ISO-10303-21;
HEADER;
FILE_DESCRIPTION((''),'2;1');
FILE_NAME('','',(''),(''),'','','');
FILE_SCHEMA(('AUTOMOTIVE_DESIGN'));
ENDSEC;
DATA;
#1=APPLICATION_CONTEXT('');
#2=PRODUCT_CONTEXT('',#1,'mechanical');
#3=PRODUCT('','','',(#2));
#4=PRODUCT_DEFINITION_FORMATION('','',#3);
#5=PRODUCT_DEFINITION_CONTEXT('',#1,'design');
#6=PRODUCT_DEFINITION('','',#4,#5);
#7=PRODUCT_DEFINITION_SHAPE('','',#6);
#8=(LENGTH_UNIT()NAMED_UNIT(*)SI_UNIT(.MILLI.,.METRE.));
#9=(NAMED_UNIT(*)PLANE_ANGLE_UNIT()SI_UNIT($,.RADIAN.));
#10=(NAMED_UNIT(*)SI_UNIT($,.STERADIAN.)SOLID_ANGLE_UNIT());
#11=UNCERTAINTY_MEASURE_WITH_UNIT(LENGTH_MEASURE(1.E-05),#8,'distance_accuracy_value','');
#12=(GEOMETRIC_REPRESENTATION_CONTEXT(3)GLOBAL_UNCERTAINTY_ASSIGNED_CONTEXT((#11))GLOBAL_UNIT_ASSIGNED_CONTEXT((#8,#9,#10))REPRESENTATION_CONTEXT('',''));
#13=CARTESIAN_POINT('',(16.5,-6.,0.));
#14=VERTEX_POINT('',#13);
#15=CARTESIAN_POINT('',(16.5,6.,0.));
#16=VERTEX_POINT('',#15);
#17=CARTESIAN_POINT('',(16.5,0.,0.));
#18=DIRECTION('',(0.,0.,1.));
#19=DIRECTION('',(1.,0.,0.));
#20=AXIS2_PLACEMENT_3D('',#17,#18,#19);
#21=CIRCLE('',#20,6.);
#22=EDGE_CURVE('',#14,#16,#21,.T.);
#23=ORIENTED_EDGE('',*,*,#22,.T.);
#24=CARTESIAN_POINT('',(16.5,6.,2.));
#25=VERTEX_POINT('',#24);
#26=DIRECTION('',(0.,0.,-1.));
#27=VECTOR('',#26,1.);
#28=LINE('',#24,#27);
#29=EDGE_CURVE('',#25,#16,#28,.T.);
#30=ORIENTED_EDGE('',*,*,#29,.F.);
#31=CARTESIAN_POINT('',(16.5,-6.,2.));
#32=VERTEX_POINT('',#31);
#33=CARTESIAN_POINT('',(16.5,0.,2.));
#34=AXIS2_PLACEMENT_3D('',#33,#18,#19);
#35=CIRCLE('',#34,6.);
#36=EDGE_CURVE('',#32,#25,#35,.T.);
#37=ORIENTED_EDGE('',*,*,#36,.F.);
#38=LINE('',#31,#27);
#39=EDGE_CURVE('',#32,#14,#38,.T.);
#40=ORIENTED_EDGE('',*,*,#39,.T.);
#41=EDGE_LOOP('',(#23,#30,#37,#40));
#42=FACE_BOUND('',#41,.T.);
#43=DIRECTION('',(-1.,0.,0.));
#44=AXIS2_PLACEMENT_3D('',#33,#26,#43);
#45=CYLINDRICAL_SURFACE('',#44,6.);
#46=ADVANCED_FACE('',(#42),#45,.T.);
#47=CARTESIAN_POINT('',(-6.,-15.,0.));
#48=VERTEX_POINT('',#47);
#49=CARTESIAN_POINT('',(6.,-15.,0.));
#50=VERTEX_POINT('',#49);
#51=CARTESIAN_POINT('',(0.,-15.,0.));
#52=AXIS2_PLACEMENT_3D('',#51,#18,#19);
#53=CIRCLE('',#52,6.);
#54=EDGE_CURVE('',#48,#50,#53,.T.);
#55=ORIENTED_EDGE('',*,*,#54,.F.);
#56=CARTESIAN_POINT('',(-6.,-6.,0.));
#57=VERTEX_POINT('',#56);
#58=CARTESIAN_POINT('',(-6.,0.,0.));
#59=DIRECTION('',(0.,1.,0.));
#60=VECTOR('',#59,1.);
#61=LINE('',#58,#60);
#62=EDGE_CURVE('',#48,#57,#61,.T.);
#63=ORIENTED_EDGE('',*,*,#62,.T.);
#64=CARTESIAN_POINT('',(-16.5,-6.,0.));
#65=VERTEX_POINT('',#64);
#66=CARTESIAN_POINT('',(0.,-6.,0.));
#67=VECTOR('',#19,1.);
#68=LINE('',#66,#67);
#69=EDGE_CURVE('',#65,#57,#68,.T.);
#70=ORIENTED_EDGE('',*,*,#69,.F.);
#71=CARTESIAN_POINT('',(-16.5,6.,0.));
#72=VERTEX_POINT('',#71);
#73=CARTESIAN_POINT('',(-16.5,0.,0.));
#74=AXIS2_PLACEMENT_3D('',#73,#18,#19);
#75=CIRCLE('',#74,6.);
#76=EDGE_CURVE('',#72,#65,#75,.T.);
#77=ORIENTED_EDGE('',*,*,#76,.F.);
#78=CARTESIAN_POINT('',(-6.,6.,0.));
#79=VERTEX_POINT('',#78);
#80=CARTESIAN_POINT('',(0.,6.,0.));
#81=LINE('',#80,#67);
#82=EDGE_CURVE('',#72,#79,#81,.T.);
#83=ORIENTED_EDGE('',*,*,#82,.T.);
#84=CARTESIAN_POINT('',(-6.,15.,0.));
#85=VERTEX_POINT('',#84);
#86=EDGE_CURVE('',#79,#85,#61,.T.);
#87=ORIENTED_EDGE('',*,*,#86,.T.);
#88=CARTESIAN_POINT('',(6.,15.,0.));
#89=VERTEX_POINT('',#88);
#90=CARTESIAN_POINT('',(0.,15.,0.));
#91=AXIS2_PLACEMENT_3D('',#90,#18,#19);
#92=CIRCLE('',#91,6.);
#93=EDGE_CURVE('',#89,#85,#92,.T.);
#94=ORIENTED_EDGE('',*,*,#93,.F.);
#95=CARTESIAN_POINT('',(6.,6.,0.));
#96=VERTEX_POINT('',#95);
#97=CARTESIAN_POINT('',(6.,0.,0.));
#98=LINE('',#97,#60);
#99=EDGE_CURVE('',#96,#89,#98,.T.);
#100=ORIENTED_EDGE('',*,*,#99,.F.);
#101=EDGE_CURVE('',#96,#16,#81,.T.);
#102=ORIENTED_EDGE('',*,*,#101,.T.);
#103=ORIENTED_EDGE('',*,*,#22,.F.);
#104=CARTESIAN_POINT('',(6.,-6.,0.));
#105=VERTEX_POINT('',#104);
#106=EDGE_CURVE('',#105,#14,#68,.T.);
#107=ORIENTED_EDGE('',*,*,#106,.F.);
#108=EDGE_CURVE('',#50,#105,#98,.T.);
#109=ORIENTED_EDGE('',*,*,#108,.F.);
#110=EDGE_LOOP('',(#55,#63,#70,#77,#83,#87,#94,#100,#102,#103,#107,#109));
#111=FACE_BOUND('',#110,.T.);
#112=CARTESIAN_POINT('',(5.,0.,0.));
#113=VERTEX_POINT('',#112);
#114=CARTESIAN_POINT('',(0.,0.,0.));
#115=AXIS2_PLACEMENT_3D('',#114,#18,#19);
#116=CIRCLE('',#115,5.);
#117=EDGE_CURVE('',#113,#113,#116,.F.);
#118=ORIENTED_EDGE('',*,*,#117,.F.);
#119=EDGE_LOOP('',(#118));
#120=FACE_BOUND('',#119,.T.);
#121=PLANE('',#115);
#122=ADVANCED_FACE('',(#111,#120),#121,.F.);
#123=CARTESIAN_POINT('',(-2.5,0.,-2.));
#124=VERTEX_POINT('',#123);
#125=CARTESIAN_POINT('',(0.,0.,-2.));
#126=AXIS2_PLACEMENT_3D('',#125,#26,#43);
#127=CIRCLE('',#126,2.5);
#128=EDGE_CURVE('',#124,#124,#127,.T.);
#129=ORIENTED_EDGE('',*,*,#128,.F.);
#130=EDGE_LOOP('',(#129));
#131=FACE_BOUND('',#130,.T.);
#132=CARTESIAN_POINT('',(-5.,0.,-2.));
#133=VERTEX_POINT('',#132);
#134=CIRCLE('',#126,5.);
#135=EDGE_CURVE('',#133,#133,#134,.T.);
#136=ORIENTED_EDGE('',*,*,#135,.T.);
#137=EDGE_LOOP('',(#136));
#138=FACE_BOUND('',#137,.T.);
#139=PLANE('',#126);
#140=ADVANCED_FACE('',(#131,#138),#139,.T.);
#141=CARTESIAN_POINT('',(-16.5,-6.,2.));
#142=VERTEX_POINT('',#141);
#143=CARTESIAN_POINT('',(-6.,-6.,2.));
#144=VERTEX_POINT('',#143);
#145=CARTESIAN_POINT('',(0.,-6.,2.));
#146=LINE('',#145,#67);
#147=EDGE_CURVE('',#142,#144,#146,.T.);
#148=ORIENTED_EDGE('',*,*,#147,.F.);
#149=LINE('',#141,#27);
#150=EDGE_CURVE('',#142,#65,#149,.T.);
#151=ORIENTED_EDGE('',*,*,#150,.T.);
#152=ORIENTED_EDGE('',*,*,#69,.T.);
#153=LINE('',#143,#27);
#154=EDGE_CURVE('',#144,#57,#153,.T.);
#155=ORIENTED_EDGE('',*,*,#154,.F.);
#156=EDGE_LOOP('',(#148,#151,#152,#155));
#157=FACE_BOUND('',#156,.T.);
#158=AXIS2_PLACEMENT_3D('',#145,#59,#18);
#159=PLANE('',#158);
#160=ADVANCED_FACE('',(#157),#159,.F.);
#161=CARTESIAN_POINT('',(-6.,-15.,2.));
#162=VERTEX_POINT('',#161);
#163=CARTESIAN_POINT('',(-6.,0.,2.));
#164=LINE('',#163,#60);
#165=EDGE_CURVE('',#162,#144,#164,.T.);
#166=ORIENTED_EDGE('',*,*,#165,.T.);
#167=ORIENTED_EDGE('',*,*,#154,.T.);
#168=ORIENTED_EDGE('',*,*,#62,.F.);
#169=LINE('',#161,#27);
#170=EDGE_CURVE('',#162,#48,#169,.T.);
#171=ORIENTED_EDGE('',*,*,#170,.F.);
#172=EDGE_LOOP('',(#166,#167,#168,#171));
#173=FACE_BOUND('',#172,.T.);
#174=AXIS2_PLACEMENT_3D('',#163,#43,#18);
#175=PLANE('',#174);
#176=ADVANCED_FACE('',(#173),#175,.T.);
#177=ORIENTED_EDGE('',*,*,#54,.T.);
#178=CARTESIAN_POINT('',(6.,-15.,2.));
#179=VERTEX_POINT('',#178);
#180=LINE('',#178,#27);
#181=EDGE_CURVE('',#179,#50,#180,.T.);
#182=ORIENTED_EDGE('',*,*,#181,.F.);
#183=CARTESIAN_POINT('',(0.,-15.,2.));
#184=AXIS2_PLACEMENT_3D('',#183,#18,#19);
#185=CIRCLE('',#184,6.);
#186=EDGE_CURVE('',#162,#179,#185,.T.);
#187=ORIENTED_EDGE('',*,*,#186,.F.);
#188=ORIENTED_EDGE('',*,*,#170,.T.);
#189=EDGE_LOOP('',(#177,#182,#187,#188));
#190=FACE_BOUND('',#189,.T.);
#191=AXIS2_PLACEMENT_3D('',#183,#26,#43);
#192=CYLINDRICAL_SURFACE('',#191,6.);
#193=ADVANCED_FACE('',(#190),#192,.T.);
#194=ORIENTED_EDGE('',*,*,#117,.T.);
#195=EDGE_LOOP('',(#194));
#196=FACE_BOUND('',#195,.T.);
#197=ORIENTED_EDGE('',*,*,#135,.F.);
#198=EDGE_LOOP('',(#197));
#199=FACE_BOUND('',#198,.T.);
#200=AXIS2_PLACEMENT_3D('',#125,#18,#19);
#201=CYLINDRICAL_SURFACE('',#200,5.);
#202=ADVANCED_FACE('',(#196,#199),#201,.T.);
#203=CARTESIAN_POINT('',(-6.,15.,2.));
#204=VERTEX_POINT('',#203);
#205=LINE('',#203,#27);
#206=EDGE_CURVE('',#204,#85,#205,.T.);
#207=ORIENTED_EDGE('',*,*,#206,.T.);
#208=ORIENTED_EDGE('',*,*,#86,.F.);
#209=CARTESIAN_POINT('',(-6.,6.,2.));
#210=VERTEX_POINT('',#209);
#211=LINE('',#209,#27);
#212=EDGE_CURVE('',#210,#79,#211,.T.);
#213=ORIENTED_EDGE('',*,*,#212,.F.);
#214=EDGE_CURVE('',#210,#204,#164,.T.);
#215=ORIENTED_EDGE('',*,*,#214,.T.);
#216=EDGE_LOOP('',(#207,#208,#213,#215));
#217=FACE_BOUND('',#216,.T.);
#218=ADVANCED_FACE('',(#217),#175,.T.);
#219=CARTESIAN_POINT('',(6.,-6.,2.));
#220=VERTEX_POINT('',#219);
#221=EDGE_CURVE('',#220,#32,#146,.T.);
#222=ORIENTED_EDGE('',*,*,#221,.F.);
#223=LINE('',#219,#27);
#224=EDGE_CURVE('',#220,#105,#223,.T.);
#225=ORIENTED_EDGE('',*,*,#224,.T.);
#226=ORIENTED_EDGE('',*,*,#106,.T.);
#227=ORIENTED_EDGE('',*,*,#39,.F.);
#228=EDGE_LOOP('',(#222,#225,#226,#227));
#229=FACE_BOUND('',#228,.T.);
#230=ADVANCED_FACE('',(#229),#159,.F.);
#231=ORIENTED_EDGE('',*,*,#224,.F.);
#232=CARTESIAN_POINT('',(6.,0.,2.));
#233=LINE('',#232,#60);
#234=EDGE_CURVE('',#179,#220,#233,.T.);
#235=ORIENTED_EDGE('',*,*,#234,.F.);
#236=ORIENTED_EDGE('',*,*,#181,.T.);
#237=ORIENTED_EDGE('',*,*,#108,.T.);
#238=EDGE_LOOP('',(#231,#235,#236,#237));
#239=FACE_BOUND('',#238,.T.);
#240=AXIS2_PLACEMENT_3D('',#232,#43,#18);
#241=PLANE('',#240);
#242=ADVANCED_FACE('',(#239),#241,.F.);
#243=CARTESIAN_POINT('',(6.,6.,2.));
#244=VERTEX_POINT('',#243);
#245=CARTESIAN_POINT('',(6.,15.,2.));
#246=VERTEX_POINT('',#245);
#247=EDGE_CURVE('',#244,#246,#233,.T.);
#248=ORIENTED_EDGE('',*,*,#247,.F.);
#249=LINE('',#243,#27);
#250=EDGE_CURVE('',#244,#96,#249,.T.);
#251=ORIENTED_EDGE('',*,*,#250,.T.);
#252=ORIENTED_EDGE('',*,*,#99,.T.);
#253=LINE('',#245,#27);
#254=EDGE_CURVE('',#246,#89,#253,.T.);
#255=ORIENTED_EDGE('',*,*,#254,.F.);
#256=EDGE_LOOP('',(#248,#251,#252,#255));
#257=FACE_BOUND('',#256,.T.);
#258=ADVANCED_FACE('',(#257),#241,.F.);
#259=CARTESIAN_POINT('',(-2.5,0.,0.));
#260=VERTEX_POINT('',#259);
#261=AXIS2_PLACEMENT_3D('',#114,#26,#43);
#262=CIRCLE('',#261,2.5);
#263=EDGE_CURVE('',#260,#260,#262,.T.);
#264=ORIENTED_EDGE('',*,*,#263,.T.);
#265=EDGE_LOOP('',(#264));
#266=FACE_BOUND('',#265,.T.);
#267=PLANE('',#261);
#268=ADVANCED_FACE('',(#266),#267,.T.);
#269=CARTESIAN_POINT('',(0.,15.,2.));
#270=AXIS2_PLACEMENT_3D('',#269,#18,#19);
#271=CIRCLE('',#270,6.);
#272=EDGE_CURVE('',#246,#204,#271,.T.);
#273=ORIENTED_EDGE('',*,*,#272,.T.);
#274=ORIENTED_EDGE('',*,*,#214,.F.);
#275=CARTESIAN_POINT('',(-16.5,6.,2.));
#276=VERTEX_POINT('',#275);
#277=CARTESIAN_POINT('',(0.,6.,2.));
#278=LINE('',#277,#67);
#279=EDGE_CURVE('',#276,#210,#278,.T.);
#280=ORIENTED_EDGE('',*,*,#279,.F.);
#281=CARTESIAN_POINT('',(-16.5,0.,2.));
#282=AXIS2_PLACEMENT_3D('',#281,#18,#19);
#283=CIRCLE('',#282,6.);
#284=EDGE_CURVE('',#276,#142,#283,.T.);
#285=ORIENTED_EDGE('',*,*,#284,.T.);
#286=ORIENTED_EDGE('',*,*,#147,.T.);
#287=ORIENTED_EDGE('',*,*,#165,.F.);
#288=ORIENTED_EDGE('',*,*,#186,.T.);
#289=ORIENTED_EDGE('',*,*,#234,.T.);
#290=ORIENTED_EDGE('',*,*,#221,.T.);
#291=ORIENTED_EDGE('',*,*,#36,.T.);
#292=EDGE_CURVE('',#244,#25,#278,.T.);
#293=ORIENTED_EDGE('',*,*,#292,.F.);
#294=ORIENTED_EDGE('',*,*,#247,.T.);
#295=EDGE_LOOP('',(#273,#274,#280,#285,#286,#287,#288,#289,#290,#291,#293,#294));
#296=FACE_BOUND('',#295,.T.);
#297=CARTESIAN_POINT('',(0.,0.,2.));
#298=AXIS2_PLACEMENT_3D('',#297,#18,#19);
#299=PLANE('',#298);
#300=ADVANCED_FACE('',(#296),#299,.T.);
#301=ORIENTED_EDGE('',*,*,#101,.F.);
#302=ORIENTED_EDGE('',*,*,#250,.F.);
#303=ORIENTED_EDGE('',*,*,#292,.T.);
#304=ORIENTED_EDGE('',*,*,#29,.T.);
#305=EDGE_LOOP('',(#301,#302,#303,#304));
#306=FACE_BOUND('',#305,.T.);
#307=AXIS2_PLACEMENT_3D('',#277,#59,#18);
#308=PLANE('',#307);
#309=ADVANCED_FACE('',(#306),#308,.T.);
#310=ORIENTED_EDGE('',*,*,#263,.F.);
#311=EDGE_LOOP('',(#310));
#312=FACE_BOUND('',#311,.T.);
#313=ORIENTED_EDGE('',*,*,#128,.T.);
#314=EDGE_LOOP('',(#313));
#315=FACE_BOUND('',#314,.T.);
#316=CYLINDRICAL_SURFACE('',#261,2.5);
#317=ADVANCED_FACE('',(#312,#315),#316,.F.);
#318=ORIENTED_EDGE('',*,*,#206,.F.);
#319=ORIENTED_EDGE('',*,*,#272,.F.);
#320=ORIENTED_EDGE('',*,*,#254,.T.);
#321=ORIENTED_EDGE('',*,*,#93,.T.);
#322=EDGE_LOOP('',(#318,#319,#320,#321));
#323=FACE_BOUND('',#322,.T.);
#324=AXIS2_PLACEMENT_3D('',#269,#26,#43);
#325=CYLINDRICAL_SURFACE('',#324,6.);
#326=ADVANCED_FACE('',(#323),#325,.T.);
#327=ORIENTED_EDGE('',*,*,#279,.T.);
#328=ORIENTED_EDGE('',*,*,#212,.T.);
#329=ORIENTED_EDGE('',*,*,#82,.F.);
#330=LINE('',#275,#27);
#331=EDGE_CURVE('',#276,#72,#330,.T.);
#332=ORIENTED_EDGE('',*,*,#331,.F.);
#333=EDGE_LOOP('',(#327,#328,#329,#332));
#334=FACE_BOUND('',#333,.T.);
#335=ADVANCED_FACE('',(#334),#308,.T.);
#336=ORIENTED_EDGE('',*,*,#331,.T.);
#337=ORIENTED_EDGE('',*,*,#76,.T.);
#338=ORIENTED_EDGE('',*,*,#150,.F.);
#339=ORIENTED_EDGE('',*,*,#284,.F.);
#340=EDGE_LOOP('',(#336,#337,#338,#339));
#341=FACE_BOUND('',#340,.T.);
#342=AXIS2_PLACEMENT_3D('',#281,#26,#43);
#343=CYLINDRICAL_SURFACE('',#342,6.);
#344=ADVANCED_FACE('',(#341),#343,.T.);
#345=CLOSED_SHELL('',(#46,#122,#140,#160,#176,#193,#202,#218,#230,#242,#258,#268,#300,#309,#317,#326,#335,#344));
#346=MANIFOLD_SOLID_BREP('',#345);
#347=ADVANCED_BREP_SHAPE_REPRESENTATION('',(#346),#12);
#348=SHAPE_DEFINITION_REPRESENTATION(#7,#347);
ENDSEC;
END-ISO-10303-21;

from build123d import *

# Parameters (mm, degrees)
ESQUISSE1_W             = 12
ESQUISSE1_H             = 12
BOSS_EXTRU_1_DEPTH      = 2
ESQUISSE2_R             = 5
BOSS_EXTRU_2_DEPTH      = 2
ESQUISSE3_R             = 2.5
ENL_V_MAT_EXTRU_1_DEPTH = 2


with BuildPart() as part:
    # Esquisse1 → Boss.-Extru.1 (new body)
    with BuildSketch(Plane.XY):
        with BuildLine():
            Line((16.5, 6), (6, 6))
            Line((6, 6), (6, -6))
            Line((6, -6), (16.5, -6))
            ThreePointArc((16.5, -6), (22.5, 0), (16.5, 6))
        make_face()
        Rectangle(ESQUISSE1_W, ESQUISSE1_H)
        with BuildLine():
            Line((-6, 15), (-6, 6))
            Line((-6, 6), (6, 6))
            Line((6, 6), (6, 15))
            ThreePointArc((6, 15), (0, 21), (-6, 15))
        make_face()
        with BuildLine():
            Line((-6, 6), (-16.5, 6))
            ThreePointArc((-16.5, 6), (-22.5, 0), (-16.5, -6))
            Line((-16.5, -6), (-6, -6))
            Line((-6, -6), (-6, 6))
        make_face()
        with BuildLine():
            Line((6, -6), (-6, -6))
            Line((-6, -6), (-6, -15))
            ThreePointArc((-6, -15), (0, -21), (6, -15))
            Line((6, -15), (6, -6))
        make_face()
    extrude(amount=BOSS_EXTRU_1_DEPTH)

    # Esquisse2 → Boss.-Extru.2 (add)
    with BuildSketch(Plane(origin=(0, 0, 0), x_dir=(-1, 0, 0), z_dir=(0, 0, -1))):
        with Locations(Location((0, 0, 0), (0, 0, 180))):
            Circle(ESQUISSE2_R)
    extrude(amount=BOSS_EXTRU_2_DEPTH)

    # Esquisse3 → Enlèv. mat.-Extru.1 (cut)
    with BuildSketch(Plane(origin=(0, 0, -2), x_dir=(-1, 0, 0), z_dir=(0, 0, -1))):
        Circle(ESQUISSE3_R)
    extrude(amount=-ENL_V_MAT_EXTRU_1_DEPTH, mode=Mode.SUBTRACT)


solid = part.part
